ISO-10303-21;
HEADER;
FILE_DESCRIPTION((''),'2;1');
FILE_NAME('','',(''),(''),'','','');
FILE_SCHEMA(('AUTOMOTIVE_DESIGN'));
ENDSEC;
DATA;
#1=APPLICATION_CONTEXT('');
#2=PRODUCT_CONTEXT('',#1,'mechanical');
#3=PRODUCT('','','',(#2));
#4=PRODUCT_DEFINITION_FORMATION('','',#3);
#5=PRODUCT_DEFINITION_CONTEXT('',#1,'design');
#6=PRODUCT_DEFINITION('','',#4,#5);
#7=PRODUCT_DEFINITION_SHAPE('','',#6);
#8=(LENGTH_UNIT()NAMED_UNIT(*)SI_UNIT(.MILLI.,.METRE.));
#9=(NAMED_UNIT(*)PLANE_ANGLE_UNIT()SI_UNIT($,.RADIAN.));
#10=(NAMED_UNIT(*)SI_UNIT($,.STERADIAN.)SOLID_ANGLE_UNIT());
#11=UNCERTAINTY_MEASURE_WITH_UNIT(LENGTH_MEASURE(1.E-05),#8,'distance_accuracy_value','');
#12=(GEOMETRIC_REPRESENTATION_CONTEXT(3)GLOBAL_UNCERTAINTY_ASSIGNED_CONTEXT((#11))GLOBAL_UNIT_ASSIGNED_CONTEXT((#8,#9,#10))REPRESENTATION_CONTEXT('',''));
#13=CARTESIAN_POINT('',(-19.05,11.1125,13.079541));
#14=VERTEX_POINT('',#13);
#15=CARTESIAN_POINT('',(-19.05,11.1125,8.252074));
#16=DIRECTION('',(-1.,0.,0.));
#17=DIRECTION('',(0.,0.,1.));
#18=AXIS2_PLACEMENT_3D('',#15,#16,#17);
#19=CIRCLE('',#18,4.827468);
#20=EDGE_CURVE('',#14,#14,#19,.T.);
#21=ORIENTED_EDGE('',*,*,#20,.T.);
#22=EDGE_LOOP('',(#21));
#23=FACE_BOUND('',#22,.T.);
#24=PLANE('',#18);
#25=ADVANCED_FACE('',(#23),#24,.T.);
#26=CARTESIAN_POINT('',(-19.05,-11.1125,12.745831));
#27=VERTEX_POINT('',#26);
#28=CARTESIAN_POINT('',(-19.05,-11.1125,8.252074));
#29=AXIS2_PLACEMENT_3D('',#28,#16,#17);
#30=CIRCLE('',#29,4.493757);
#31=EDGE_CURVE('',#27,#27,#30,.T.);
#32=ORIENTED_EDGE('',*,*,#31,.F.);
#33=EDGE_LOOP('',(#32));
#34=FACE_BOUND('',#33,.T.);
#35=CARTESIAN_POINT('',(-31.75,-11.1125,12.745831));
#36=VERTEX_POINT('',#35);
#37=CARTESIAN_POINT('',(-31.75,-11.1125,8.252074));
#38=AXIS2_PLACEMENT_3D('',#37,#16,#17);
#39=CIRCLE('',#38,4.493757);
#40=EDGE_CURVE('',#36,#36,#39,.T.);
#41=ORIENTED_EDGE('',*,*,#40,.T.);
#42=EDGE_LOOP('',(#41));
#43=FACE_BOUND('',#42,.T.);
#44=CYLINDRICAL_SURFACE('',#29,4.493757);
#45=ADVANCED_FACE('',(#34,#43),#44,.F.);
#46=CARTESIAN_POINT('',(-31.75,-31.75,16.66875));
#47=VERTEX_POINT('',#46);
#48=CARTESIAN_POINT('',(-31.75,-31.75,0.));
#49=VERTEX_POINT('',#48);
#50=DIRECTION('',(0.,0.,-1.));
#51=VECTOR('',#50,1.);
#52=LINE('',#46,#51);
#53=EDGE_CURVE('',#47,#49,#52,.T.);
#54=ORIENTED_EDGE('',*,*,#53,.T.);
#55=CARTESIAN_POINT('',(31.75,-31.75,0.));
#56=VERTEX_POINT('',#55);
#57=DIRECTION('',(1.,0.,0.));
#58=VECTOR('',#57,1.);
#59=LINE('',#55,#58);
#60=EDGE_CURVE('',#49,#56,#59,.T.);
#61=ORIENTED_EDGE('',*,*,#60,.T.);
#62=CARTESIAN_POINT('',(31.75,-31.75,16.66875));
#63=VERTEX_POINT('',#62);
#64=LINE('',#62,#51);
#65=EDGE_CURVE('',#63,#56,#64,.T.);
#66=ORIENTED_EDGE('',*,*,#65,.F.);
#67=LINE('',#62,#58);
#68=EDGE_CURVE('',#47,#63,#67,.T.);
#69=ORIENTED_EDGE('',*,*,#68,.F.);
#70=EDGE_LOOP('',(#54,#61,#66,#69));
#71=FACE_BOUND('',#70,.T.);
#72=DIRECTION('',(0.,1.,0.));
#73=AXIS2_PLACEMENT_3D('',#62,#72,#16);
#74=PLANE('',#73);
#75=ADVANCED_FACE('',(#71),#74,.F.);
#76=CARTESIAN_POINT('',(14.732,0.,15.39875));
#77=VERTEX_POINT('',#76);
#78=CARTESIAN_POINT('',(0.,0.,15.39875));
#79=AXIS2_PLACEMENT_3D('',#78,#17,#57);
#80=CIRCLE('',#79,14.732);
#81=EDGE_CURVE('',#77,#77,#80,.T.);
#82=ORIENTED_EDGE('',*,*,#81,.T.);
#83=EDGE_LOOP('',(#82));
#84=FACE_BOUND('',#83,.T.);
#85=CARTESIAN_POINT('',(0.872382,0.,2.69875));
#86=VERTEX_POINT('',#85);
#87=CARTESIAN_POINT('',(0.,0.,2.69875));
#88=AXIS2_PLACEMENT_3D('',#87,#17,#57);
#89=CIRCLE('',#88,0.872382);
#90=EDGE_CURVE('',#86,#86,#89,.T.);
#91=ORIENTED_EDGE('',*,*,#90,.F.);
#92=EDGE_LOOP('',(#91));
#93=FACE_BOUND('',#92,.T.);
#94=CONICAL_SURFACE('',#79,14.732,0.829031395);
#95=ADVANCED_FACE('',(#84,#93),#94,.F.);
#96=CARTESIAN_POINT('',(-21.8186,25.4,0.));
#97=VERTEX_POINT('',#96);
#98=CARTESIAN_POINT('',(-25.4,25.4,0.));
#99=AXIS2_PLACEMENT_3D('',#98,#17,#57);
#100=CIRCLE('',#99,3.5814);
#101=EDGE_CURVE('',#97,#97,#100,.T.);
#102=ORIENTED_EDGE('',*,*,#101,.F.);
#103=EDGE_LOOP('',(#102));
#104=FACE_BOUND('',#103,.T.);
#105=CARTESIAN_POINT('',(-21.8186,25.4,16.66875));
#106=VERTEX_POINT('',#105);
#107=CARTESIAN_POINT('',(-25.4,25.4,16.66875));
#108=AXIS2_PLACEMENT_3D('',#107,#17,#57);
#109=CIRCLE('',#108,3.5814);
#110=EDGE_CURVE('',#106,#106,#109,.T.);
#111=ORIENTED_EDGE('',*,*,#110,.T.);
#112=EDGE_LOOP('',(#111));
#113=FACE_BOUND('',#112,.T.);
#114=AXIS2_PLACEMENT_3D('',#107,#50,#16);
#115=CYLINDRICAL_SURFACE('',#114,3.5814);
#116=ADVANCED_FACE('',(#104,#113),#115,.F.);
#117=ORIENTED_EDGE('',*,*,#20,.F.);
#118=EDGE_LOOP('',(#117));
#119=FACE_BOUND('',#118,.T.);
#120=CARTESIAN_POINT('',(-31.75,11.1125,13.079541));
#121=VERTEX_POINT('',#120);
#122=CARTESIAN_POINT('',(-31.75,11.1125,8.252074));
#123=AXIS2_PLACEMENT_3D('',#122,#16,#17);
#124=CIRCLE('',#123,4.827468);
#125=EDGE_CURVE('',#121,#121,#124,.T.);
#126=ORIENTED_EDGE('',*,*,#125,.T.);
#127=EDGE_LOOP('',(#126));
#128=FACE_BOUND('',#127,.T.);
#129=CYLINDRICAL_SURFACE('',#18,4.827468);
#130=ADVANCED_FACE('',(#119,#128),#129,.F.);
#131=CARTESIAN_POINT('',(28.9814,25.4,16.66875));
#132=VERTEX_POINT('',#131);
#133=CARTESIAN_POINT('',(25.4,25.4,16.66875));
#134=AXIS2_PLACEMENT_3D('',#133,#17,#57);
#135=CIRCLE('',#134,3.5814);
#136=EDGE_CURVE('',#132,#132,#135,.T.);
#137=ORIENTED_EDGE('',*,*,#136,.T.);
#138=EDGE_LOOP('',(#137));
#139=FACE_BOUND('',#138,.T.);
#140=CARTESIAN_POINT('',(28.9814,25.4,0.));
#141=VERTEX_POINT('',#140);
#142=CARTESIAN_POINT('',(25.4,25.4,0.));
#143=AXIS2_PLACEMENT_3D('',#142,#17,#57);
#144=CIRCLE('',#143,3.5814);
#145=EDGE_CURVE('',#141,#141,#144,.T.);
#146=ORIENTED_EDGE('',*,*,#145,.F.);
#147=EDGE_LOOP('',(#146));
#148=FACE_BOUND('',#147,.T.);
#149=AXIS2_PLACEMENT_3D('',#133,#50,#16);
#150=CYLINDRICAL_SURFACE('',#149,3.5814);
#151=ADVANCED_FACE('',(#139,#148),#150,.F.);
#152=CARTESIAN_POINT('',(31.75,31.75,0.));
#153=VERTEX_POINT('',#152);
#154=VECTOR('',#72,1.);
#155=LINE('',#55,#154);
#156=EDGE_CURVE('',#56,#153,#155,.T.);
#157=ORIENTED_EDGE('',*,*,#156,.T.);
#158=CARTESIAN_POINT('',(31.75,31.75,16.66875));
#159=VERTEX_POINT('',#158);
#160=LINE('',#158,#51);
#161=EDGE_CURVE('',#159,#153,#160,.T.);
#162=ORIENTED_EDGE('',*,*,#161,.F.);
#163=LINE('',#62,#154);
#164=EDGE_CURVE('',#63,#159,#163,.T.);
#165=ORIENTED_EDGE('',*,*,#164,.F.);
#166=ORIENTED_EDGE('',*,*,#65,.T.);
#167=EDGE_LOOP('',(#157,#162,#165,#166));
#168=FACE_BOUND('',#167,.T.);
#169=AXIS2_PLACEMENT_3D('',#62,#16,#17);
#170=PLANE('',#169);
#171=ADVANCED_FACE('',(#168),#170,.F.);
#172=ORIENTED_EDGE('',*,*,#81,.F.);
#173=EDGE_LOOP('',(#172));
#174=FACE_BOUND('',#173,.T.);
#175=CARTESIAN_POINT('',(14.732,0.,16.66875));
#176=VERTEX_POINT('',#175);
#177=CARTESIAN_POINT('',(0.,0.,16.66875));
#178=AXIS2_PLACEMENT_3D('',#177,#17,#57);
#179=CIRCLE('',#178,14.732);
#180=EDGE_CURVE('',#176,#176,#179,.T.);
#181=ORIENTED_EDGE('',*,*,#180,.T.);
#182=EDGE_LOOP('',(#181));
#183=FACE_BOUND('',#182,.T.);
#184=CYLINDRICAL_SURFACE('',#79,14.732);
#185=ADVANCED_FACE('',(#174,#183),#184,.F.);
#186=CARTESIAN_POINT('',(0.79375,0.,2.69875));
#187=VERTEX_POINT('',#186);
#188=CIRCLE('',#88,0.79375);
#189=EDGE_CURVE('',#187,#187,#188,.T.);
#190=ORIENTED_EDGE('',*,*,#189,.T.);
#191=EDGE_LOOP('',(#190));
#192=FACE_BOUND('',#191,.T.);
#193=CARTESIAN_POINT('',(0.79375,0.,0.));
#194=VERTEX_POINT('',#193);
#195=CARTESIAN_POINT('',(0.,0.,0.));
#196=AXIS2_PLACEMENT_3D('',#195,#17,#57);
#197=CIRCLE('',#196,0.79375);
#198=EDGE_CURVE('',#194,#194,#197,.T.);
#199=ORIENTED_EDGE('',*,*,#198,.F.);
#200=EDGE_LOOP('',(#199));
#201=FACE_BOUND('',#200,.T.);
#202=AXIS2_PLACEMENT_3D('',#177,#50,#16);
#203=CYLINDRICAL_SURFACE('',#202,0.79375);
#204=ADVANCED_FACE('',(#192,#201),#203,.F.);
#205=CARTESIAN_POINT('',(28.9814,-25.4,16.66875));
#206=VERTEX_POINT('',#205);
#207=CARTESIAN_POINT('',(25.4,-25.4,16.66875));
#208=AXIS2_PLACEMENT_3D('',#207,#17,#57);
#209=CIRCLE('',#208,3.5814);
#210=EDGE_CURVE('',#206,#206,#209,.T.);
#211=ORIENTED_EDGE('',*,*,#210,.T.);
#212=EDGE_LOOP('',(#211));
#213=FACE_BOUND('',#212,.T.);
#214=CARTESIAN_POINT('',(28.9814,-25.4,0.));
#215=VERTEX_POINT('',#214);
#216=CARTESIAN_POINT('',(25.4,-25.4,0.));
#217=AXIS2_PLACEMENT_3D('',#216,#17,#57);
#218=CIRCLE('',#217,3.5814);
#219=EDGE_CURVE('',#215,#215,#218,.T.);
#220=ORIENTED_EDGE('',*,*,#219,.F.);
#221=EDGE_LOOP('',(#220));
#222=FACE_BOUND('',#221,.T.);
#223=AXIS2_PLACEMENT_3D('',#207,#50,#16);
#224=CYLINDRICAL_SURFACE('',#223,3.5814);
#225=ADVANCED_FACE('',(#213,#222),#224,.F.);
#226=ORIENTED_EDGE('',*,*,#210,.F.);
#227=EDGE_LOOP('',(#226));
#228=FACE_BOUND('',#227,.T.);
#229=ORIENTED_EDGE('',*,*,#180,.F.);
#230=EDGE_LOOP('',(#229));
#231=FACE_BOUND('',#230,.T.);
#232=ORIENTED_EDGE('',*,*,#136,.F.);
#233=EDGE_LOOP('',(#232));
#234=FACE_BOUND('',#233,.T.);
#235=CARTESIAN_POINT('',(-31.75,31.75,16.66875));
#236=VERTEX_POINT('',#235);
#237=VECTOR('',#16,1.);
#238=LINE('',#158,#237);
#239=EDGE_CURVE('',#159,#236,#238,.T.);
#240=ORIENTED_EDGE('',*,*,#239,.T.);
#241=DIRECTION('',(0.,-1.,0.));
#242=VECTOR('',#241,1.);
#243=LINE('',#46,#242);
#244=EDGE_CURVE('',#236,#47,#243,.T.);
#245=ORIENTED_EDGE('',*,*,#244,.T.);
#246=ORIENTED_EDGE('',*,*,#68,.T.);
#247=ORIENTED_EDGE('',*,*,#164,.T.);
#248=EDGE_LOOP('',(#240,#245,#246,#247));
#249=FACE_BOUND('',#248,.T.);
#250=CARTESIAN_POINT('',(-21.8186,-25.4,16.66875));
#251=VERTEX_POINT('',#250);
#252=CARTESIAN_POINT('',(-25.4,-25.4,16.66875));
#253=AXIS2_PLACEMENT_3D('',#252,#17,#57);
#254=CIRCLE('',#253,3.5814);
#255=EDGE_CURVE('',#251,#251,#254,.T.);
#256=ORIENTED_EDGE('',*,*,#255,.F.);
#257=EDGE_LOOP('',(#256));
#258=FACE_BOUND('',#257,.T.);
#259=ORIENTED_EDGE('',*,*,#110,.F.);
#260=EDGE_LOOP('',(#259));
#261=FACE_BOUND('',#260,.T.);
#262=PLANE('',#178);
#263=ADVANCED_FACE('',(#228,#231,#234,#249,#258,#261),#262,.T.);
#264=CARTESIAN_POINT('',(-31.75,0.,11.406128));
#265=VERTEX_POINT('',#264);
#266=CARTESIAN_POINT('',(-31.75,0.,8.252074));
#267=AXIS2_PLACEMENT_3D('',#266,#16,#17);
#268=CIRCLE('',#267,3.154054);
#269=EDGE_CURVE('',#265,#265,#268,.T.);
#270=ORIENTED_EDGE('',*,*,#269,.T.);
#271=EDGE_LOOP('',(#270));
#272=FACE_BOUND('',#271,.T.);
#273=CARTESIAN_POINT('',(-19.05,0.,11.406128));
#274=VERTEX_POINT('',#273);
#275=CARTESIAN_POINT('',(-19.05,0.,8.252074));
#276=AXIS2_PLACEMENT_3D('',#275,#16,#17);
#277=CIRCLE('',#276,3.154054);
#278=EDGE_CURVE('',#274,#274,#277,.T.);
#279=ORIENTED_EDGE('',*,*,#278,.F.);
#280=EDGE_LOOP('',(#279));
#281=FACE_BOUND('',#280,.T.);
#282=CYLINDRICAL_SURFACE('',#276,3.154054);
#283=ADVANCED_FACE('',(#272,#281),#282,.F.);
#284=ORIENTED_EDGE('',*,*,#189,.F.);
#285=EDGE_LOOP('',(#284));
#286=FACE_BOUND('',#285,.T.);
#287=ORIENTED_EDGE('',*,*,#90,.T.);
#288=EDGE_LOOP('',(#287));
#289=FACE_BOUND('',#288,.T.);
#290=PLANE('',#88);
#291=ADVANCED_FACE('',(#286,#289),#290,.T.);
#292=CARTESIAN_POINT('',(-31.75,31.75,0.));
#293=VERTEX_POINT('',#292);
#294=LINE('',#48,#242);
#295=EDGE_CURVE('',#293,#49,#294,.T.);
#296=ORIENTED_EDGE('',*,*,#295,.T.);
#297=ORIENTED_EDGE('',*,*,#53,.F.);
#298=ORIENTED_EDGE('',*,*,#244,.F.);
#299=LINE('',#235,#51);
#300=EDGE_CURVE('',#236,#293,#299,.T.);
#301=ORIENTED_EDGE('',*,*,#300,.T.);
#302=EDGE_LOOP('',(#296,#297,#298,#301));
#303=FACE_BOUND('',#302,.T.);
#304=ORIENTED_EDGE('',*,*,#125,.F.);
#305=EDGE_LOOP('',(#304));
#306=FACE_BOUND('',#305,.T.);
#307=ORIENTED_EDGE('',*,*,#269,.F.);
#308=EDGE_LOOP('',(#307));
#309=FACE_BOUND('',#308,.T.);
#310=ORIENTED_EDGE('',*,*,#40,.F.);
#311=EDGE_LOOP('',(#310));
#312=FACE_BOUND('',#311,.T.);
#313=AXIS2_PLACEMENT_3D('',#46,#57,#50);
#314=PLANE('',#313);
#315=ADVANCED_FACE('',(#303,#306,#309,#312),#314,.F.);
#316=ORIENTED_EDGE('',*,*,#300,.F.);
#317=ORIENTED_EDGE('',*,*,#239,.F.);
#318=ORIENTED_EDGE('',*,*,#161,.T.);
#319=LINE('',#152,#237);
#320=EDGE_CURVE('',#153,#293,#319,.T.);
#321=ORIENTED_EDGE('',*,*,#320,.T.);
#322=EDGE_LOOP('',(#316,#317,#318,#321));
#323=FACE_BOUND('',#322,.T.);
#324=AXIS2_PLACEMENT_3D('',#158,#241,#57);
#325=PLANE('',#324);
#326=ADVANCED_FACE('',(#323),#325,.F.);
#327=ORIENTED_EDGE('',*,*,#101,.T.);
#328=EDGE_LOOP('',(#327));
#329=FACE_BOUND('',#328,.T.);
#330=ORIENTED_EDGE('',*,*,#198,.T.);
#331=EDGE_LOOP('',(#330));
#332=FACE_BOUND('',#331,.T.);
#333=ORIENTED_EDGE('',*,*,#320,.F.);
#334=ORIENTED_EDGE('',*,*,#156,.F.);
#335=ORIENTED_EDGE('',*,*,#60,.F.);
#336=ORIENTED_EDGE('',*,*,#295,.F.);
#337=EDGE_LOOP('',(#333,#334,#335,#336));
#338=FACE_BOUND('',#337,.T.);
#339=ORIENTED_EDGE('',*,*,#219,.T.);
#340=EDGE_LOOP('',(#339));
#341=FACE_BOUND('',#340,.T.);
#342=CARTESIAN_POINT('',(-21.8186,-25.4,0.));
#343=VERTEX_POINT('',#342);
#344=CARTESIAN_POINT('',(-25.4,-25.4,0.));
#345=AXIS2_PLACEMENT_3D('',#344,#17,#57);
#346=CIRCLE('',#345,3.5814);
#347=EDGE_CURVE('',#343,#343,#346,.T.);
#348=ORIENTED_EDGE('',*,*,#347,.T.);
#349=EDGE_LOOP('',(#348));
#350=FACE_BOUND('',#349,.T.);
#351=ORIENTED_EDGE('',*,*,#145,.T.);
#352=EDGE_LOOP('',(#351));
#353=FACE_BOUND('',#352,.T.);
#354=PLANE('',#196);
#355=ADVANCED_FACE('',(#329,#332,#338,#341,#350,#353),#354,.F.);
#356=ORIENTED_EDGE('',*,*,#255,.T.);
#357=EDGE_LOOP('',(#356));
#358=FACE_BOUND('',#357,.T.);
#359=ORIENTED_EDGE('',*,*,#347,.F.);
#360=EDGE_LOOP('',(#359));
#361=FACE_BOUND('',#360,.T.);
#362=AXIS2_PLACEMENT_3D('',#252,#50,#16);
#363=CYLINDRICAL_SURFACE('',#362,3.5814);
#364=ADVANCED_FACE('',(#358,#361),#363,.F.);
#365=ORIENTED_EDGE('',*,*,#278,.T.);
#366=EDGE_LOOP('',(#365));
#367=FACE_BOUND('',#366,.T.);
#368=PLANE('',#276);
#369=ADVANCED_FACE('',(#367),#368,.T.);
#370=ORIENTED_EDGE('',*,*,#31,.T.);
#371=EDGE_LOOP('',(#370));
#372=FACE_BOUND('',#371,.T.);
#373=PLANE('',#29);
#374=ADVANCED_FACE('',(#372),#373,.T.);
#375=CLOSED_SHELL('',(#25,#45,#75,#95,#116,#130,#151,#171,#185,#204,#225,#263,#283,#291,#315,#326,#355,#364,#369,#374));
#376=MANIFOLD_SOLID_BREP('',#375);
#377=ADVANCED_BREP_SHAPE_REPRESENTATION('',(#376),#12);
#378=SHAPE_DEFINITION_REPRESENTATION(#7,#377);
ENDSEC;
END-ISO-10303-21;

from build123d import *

# Parameters (mm, degrees)
SKETCH1_W                   = 63.5
SKETCH1_H                   = 63.5
SKETCH1_R                   = 0.79375
SKETCH1_R_2                 = 3.5814
BOSS_EXTRUDE1_DEPTH         = 16.66875
SKETCH2_R                   = 14.732
CUT_EXTRUDE1_DEPTH          = 1.27
SKETCH3_R                   = 4.827467581
SKETCH3_R_2                 = 3.154053727
SKETCH3_R_3                 = 4.493756986
CARTIDGE_HEATER_DEPTH_DEPTH = 12.7
SKETCH4_R                   = 14.732
CUT_EXTRUDE3_DEPTH          = 12.7
CUT_EXTRUDE3_TAPER          = 47.5


with BuildPart() as part:
    # Sketch1 → Boss-Extrude1 (new body)
    with BuildSketch(Plane.XY):
        Rectangle(SKETCH1_W, SKETCH1_H)
        Circle(SKETCH1_R, mode=Mode.SUBTRACT)
        with Locations((-25.4, 25.4)):
            Circle(SKETCH1_R_2, mode=Mode.SUBTRACT)
        with Locations((25.4, 25.4)):
            Circle(SKETCH1_R_2, mode=Mode.SUBTRACT)
        with Locations((25.4, -25.4)):
            Circle(SKETCH1_R_2, mode=Mode.SUBTRACT)
        with Locations((-25.4, -25.4)):
            Circle(SKETCH1_R_2, mode=Mode.SUBTRACT)
    extrude(amount=BOSS_EXTRUDE1_DEPTH)

    # Sketch2 → Cut-Extrude1 (cut)
    with BuildSketch(Plane.XY.offset(16.66875)):
        Circle(SKETCH2_R)
    extrude(amount=-CUT_EXTRUDE1_DEPTH, mode=Mode.SUBTRACT)

    # Sketch3 → Cartidge heater (??? depth) (cut)
    with BuildSketch(Plane.ZY.offset(31.75)):
        with Locations((8.252073855, 11.1125)):
            Circle(SKETCH3_R)
        with Locations((8.252073855, 0)):
            Circle(SKETCH3_R_2)
        with Locations((8.252073855, -11.1125)):
            Circle(SKETCH3_R_3)
    extrude(amount=-CARTIDGE_HEATER_DEPTH_DEPTH, mode=Mode.SUBTRACT)

    # Sketch4 → Cut-Extrude3 (cut)
    with BuildSketch(Plane.XY.offset(15.39875)):
        Circle(SKETCH4_R)
    extrude(amount=-CUT_EXTRUDE3_DEPTH, taper=CUT_EXTRUDE3_TAPER, mode=Mode.SUBTRACT)


solid = part.part
